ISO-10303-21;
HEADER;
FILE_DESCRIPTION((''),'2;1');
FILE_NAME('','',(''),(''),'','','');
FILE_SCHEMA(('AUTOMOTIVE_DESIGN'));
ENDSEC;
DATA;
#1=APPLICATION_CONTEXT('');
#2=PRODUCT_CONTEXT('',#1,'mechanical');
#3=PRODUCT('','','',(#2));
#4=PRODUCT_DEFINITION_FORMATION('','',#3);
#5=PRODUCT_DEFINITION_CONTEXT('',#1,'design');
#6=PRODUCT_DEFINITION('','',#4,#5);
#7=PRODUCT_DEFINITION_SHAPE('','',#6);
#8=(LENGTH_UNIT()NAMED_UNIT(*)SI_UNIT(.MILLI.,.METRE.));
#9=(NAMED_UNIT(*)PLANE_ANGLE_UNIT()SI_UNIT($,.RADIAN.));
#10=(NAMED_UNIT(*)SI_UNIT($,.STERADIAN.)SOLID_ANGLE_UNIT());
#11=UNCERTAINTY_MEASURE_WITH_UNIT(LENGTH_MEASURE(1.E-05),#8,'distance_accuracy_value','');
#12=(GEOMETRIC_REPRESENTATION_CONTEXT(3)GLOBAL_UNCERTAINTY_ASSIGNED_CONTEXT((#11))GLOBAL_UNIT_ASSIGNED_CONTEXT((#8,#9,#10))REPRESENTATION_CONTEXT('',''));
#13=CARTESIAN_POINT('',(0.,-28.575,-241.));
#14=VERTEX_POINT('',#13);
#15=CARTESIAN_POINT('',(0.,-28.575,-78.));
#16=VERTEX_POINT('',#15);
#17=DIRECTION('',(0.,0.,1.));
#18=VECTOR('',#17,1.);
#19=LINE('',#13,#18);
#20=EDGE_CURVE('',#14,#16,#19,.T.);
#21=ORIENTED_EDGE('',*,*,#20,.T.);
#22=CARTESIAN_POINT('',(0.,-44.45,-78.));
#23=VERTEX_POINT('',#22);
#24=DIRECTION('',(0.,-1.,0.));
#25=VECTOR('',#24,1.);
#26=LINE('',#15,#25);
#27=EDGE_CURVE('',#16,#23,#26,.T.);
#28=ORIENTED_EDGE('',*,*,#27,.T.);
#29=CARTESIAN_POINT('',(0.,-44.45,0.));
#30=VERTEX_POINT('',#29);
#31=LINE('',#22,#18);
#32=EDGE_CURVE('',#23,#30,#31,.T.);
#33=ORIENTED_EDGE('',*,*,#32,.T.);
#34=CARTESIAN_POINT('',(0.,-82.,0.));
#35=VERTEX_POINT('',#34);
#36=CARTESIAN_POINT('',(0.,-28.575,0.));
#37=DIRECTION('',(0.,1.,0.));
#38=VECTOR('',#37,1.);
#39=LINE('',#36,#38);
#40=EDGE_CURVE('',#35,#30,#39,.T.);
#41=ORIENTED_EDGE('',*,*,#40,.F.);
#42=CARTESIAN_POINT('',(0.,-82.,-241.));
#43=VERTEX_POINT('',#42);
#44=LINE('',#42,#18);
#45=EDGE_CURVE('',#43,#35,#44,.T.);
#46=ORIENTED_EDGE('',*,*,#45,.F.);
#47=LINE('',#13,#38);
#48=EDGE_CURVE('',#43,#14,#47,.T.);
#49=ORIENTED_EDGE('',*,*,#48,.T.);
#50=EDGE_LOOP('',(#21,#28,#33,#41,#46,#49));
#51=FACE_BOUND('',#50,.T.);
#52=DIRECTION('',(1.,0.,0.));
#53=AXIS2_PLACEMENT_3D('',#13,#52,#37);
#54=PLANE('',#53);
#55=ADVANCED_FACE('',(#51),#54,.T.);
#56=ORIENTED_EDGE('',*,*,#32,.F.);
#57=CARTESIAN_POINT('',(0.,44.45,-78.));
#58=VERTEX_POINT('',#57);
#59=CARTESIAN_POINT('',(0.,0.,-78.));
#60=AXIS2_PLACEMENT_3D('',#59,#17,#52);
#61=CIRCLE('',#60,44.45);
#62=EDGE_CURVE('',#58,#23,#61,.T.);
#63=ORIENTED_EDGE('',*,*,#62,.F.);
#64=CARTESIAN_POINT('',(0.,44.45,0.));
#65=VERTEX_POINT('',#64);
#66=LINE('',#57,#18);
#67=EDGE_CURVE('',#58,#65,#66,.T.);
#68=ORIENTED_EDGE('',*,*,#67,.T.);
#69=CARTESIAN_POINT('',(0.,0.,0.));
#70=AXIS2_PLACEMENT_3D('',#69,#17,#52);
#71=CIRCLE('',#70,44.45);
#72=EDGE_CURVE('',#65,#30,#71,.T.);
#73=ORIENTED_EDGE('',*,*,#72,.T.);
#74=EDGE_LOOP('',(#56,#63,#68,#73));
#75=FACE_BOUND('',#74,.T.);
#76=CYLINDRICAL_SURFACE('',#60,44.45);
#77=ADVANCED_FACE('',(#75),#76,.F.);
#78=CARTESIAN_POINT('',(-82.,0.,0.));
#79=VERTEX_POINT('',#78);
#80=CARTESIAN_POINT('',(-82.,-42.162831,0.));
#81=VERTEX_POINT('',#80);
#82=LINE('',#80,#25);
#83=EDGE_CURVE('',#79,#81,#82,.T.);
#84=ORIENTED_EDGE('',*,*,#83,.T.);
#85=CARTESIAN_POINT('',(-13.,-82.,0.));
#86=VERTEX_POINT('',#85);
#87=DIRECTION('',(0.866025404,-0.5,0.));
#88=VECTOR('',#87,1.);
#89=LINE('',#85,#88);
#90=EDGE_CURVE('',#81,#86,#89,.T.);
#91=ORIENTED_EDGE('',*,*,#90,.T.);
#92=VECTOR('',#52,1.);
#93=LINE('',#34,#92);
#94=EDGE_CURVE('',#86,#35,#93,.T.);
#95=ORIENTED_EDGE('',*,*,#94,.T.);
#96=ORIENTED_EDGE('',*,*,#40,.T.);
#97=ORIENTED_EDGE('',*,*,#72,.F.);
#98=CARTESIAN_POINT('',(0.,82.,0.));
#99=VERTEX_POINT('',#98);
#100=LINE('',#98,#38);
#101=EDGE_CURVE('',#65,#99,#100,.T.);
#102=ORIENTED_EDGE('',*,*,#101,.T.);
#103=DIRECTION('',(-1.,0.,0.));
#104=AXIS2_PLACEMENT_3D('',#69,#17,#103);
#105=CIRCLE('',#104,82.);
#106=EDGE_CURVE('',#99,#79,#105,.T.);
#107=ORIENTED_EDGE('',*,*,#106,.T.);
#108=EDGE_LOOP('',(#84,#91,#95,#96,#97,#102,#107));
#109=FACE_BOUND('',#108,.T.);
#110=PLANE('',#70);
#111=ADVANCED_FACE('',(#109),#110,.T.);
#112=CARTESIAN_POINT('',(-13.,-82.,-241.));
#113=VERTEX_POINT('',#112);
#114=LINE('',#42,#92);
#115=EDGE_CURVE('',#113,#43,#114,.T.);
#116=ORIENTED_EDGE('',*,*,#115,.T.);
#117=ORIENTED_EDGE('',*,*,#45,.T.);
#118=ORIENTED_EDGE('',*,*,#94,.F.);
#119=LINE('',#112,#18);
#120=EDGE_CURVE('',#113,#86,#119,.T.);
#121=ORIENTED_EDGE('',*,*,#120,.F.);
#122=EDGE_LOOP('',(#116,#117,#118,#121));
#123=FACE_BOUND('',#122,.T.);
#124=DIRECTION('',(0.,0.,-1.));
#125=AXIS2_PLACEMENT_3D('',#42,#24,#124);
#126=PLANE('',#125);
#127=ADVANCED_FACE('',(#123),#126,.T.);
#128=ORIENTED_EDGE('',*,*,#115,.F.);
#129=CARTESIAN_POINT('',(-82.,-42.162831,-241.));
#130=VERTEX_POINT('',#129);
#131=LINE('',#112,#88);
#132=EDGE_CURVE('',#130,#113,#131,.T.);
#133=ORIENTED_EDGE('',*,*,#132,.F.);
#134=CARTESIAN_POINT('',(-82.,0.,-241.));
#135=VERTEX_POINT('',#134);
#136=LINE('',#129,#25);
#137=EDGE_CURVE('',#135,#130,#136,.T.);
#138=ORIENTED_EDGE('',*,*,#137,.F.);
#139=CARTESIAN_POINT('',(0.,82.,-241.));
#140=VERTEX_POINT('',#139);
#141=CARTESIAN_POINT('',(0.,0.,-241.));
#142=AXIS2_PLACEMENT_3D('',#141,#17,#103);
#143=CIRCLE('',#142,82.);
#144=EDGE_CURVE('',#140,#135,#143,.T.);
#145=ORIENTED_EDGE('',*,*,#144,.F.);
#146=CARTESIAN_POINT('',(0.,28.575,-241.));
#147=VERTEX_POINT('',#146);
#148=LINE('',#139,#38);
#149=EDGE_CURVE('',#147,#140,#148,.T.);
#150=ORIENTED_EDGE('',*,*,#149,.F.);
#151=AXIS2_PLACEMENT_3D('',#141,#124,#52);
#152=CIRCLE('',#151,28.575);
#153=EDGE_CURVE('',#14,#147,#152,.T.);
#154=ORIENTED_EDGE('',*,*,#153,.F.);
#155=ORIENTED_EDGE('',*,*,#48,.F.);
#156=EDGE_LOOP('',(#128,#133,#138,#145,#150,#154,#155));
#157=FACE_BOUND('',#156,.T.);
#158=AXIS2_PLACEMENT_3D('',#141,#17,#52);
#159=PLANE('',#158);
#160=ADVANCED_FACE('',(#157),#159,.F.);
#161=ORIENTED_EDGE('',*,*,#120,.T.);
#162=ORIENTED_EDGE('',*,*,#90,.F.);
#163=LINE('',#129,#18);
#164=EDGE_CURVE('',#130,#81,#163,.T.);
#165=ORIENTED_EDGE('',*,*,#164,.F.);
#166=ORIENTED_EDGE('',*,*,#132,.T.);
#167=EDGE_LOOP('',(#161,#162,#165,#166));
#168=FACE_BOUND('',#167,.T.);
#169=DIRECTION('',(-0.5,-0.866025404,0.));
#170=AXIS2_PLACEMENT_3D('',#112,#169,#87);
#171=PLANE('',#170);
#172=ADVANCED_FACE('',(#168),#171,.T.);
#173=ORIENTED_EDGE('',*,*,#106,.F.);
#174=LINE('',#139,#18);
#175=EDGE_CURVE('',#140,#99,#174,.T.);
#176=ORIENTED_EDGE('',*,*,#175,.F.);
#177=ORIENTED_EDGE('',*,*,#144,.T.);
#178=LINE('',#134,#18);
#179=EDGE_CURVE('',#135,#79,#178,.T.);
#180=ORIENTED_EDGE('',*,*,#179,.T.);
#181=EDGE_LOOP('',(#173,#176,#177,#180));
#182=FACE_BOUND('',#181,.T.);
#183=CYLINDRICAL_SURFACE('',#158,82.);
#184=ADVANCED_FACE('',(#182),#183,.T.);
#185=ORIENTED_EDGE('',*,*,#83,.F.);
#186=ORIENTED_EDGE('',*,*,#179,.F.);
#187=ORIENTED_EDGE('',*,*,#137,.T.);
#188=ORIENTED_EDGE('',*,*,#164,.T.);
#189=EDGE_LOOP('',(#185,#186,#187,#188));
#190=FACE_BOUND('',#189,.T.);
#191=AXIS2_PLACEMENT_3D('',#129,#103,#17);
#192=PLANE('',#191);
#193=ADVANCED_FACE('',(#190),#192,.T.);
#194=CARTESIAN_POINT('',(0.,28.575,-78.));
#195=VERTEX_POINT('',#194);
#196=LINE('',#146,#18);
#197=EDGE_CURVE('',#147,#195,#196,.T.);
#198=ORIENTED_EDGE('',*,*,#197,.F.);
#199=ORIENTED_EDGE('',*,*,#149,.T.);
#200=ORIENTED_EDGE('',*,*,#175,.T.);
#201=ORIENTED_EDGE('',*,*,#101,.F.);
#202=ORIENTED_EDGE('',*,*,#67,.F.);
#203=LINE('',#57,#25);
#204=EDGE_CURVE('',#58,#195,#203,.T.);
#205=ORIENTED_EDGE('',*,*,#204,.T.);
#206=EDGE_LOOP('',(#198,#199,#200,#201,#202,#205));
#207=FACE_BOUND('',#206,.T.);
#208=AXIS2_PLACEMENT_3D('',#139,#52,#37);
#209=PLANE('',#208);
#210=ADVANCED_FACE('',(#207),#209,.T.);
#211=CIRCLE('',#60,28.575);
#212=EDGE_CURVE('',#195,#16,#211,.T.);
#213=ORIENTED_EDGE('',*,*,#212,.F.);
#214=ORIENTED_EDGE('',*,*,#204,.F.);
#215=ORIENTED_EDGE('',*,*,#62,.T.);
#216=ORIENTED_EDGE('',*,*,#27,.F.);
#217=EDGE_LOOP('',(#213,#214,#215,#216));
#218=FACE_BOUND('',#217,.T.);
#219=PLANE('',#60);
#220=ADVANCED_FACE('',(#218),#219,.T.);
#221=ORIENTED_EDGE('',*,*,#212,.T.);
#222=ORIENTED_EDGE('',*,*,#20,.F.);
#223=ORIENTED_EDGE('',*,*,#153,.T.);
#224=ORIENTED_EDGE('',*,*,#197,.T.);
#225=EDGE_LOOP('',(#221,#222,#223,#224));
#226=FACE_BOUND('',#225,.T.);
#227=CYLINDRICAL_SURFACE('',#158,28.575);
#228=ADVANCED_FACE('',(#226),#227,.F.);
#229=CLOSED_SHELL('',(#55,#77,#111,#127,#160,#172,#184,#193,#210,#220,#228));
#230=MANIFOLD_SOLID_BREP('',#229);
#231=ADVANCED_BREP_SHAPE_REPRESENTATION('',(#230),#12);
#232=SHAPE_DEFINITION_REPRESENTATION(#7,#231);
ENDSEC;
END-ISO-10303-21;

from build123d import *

# Parameters (mm, degrees)
BOSS_EXTRUDE1_DEPTH = 241
CUT_EXTRUDE1_DEPTH  = 78


with BuildPart() as part:
    # Sketch2 → Boss-Extrude1 (new body)
    with BuildSketch(Plane.XY):
        with BuildLine():
            Line((0, -28.575), (0, -82))
            Line((0, -82), (-13, -82))
            Line((-13, -82), (-82, -42.162831426))
            Line((-82, -42.162831426), (-82, 0))
            ThreePointArc((-82, 0), (-57.982756057, 57.982756057), (0, 82))
            Line((0, 82), (0, 28.575))
            ThreePointArc((0, 28.575), (-28.575, 0), (0, -28.575))
        make_face()
    extrude(amount=-BOSS_EXTRUDE1_DEPTH)

    # Sketch3 → Cut-Extrude1 (cut)
    with BuildSketch(Plane.XY):
        with BuildLine():
            Line((0, 44.45), (0, 28.575))
            ThreePointArc((0, 28.575), (-28.575, 0), (0, -28.575))
            Line((0, -28.575), (0, -44.45))
            ThreePointArc((0, -44.45), (-44.45, 0), (0, 44.45))
        make_face()
    extrude(amount=-CUT_EXTRUDE1_DEPTH, mode=Mode.SUBTRACT)


solid = part.part
